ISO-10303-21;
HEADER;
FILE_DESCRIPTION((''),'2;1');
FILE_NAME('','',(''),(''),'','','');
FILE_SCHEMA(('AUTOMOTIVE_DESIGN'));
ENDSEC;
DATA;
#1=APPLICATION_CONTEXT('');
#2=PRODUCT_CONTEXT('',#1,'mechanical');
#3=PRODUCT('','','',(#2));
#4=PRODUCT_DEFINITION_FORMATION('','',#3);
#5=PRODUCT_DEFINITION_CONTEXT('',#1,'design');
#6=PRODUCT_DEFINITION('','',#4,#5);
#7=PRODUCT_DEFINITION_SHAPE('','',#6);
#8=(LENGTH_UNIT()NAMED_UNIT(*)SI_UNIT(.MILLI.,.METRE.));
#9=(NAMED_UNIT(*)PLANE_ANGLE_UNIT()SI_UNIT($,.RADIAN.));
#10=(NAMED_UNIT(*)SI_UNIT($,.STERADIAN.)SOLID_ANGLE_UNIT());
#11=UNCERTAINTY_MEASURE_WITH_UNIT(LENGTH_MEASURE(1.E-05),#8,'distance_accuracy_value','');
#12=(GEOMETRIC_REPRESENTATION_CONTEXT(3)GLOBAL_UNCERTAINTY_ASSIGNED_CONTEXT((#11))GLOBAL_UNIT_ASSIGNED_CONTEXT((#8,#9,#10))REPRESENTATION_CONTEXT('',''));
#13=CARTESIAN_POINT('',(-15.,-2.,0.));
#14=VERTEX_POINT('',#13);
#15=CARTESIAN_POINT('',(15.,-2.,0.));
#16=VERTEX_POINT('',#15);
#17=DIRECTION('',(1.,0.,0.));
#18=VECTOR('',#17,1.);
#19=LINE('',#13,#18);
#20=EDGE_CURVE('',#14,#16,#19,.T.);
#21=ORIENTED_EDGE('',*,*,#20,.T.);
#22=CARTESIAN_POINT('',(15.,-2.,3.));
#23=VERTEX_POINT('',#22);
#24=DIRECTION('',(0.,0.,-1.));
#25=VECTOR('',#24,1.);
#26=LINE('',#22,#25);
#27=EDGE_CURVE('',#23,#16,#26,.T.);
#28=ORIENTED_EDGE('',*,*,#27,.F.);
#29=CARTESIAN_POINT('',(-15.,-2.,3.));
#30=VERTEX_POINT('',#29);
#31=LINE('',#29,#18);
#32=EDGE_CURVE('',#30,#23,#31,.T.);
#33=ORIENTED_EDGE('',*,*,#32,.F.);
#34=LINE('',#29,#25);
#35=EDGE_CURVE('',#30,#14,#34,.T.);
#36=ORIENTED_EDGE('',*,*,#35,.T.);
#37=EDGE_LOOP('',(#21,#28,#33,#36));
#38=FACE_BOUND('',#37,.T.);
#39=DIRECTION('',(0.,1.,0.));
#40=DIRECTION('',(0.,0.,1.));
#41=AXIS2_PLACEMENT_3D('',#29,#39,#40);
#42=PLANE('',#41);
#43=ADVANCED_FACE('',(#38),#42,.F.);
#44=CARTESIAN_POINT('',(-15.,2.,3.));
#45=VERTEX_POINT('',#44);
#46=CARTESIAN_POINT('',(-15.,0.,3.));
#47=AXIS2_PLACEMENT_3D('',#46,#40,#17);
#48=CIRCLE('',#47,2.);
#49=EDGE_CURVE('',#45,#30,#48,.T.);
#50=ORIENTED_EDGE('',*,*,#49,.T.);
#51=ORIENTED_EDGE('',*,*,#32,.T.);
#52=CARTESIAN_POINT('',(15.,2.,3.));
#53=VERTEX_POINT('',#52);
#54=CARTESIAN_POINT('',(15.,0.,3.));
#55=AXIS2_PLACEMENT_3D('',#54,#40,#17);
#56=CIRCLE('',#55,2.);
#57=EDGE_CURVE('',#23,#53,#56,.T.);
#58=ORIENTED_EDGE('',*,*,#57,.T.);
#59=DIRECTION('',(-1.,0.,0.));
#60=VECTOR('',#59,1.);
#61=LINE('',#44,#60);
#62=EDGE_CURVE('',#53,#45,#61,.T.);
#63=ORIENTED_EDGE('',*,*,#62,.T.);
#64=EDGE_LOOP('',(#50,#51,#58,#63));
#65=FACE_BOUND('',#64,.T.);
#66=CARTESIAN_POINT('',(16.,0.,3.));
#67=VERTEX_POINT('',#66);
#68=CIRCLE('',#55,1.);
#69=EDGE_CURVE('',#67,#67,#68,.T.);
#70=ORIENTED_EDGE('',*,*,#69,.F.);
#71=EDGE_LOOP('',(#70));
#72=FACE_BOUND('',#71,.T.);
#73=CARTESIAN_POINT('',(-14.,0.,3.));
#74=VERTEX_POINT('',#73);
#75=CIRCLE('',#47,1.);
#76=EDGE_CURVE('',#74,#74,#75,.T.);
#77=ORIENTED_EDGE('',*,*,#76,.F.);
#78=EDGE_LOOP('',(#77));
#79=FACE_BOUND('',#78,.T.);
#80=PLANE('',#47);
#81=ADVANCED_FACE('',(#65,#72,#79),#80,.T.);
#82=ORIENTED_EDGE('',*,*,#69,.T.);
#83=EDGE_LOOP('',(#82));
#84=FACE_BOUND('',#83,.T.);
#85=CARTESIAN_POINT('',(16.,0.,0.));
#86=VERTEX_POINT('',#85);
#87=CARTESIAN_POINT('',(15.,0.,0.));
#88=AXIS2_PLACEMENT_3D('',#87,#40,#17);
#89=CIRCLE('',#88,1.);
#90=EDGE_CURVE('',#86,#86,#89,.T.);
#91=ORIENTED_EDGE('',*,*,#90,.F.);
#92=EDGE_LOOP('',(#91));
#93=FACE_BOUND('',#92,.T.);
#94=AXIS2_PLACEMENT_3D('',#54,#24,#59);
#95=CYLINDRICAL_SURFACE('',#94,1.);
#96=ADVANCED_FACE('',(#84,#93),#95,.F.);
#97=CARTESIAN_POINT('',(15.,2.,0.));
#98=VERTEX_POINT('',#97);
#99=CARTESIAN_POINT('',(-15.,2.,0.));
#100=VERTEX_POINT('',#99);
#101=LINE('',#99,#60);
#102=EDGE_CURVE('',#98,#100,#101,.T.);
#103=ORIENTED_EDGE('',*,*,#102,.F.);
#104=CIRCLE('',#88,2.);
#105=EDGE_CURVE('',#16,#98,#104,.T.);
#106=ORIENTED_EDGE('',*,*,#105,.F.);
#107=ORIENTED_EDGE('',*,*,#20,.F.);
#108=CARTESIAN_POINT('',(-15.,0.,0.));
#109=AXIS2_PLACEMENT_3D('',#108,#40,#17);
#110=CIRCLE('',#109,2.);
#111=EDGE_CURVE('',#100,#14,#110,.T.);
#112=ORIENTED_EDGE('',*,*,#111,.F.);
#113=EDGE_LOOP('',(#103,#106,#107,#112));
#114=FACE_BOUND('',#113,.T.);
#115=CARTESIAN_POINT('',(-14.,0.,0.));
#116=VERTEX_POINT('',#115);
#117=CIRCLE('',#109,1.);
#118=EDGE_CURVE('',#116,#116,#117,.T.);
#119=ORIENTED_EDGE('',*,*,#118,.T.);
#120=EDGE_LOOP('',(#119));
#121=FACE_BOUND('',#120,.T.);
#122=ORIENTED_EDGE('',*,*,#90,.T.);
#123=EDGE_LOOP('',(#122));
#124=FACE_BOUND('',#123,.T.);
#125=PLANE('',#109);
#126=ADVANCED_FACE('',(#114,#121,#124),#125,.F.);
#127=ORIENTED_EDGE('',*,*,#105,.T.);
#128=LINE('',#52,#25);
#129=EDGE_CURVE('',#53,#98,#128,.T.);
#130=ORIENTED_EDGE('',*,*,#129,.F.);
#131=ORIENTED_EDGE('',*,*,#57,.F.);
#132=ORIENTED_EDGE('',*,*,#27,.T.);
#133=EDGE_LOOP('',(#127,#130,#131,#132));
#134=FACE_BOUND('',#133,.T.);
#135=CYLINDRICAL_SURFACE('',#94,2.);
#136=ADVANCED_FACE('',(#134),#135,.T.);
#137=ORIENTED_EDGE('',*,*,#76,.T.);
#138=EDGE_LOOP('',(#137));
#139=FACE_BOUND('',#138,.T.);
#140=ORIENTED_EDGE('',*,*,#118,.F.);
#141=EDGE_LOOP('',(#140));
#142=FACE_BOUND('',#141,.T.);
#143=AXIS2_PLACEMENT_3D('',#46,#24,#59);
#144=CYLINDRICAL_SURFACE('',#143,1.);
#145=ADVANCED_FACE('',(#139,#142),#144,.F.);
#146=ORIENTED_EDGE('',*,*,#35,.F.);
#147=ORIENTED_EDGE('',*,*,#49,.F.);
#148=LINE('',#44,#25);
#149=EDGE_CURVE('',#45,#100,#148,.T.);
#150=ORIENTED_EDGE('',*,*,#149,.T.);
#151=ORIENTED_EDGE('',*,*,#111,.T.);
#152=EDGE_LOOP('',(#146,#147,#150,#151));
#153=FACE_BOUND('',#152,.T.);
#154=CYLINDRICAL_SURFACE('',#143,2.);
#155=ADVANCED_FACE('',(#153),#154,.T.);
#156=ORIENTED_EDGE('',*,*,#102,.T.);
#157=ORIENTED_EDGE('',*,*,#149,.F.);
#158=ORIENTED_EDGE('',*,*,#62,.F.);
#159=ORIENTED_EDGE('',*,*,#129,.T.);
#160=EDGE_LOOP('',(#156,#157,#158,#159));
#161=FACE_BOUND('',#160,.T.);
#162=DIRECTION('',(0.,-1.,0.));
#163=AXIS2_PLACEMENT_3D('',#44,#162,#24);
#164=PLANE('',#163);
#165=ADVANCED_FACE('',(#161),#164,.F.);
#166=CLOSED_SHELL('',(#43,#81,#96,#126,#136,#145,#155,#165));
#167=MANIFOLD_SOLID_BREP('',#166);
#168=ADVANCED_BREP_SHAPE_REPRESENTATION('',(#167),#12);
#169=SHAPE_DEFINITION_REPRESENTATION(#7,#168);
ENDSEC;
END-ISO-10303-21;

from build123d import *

# Parameters (mm, degrees)
ESQUISSE1_R        = 1
BOSS_EXTRU_1_DEPTH = 3


with BuildPart() as part:
    # Esquisse1 → Boss.-Extru.1 (new body)
    with BuildSketch(Plane.XY):
        with BuildLine():
            Line((-15, 2), (15, 2))
            ThreePointArc((15, 2), (17, 0), (15, -2))
            Line((15, -2), (-15, -2))
            ThreePointArc((-15, -2), (-17, 0), (-15, 2))
        make_face()
        with Locations((-15, 0)):
            Circle(ESQUISSE1_R, mode=Mode.SUBTRACT)
        with Locations((15, 0)):
            Circle(ESQUISSE1_R, mode=Mode.SUBTRACT)
    extrude(amount=BOSS_EXTRU_1_DEPTH)


solid = part.part
